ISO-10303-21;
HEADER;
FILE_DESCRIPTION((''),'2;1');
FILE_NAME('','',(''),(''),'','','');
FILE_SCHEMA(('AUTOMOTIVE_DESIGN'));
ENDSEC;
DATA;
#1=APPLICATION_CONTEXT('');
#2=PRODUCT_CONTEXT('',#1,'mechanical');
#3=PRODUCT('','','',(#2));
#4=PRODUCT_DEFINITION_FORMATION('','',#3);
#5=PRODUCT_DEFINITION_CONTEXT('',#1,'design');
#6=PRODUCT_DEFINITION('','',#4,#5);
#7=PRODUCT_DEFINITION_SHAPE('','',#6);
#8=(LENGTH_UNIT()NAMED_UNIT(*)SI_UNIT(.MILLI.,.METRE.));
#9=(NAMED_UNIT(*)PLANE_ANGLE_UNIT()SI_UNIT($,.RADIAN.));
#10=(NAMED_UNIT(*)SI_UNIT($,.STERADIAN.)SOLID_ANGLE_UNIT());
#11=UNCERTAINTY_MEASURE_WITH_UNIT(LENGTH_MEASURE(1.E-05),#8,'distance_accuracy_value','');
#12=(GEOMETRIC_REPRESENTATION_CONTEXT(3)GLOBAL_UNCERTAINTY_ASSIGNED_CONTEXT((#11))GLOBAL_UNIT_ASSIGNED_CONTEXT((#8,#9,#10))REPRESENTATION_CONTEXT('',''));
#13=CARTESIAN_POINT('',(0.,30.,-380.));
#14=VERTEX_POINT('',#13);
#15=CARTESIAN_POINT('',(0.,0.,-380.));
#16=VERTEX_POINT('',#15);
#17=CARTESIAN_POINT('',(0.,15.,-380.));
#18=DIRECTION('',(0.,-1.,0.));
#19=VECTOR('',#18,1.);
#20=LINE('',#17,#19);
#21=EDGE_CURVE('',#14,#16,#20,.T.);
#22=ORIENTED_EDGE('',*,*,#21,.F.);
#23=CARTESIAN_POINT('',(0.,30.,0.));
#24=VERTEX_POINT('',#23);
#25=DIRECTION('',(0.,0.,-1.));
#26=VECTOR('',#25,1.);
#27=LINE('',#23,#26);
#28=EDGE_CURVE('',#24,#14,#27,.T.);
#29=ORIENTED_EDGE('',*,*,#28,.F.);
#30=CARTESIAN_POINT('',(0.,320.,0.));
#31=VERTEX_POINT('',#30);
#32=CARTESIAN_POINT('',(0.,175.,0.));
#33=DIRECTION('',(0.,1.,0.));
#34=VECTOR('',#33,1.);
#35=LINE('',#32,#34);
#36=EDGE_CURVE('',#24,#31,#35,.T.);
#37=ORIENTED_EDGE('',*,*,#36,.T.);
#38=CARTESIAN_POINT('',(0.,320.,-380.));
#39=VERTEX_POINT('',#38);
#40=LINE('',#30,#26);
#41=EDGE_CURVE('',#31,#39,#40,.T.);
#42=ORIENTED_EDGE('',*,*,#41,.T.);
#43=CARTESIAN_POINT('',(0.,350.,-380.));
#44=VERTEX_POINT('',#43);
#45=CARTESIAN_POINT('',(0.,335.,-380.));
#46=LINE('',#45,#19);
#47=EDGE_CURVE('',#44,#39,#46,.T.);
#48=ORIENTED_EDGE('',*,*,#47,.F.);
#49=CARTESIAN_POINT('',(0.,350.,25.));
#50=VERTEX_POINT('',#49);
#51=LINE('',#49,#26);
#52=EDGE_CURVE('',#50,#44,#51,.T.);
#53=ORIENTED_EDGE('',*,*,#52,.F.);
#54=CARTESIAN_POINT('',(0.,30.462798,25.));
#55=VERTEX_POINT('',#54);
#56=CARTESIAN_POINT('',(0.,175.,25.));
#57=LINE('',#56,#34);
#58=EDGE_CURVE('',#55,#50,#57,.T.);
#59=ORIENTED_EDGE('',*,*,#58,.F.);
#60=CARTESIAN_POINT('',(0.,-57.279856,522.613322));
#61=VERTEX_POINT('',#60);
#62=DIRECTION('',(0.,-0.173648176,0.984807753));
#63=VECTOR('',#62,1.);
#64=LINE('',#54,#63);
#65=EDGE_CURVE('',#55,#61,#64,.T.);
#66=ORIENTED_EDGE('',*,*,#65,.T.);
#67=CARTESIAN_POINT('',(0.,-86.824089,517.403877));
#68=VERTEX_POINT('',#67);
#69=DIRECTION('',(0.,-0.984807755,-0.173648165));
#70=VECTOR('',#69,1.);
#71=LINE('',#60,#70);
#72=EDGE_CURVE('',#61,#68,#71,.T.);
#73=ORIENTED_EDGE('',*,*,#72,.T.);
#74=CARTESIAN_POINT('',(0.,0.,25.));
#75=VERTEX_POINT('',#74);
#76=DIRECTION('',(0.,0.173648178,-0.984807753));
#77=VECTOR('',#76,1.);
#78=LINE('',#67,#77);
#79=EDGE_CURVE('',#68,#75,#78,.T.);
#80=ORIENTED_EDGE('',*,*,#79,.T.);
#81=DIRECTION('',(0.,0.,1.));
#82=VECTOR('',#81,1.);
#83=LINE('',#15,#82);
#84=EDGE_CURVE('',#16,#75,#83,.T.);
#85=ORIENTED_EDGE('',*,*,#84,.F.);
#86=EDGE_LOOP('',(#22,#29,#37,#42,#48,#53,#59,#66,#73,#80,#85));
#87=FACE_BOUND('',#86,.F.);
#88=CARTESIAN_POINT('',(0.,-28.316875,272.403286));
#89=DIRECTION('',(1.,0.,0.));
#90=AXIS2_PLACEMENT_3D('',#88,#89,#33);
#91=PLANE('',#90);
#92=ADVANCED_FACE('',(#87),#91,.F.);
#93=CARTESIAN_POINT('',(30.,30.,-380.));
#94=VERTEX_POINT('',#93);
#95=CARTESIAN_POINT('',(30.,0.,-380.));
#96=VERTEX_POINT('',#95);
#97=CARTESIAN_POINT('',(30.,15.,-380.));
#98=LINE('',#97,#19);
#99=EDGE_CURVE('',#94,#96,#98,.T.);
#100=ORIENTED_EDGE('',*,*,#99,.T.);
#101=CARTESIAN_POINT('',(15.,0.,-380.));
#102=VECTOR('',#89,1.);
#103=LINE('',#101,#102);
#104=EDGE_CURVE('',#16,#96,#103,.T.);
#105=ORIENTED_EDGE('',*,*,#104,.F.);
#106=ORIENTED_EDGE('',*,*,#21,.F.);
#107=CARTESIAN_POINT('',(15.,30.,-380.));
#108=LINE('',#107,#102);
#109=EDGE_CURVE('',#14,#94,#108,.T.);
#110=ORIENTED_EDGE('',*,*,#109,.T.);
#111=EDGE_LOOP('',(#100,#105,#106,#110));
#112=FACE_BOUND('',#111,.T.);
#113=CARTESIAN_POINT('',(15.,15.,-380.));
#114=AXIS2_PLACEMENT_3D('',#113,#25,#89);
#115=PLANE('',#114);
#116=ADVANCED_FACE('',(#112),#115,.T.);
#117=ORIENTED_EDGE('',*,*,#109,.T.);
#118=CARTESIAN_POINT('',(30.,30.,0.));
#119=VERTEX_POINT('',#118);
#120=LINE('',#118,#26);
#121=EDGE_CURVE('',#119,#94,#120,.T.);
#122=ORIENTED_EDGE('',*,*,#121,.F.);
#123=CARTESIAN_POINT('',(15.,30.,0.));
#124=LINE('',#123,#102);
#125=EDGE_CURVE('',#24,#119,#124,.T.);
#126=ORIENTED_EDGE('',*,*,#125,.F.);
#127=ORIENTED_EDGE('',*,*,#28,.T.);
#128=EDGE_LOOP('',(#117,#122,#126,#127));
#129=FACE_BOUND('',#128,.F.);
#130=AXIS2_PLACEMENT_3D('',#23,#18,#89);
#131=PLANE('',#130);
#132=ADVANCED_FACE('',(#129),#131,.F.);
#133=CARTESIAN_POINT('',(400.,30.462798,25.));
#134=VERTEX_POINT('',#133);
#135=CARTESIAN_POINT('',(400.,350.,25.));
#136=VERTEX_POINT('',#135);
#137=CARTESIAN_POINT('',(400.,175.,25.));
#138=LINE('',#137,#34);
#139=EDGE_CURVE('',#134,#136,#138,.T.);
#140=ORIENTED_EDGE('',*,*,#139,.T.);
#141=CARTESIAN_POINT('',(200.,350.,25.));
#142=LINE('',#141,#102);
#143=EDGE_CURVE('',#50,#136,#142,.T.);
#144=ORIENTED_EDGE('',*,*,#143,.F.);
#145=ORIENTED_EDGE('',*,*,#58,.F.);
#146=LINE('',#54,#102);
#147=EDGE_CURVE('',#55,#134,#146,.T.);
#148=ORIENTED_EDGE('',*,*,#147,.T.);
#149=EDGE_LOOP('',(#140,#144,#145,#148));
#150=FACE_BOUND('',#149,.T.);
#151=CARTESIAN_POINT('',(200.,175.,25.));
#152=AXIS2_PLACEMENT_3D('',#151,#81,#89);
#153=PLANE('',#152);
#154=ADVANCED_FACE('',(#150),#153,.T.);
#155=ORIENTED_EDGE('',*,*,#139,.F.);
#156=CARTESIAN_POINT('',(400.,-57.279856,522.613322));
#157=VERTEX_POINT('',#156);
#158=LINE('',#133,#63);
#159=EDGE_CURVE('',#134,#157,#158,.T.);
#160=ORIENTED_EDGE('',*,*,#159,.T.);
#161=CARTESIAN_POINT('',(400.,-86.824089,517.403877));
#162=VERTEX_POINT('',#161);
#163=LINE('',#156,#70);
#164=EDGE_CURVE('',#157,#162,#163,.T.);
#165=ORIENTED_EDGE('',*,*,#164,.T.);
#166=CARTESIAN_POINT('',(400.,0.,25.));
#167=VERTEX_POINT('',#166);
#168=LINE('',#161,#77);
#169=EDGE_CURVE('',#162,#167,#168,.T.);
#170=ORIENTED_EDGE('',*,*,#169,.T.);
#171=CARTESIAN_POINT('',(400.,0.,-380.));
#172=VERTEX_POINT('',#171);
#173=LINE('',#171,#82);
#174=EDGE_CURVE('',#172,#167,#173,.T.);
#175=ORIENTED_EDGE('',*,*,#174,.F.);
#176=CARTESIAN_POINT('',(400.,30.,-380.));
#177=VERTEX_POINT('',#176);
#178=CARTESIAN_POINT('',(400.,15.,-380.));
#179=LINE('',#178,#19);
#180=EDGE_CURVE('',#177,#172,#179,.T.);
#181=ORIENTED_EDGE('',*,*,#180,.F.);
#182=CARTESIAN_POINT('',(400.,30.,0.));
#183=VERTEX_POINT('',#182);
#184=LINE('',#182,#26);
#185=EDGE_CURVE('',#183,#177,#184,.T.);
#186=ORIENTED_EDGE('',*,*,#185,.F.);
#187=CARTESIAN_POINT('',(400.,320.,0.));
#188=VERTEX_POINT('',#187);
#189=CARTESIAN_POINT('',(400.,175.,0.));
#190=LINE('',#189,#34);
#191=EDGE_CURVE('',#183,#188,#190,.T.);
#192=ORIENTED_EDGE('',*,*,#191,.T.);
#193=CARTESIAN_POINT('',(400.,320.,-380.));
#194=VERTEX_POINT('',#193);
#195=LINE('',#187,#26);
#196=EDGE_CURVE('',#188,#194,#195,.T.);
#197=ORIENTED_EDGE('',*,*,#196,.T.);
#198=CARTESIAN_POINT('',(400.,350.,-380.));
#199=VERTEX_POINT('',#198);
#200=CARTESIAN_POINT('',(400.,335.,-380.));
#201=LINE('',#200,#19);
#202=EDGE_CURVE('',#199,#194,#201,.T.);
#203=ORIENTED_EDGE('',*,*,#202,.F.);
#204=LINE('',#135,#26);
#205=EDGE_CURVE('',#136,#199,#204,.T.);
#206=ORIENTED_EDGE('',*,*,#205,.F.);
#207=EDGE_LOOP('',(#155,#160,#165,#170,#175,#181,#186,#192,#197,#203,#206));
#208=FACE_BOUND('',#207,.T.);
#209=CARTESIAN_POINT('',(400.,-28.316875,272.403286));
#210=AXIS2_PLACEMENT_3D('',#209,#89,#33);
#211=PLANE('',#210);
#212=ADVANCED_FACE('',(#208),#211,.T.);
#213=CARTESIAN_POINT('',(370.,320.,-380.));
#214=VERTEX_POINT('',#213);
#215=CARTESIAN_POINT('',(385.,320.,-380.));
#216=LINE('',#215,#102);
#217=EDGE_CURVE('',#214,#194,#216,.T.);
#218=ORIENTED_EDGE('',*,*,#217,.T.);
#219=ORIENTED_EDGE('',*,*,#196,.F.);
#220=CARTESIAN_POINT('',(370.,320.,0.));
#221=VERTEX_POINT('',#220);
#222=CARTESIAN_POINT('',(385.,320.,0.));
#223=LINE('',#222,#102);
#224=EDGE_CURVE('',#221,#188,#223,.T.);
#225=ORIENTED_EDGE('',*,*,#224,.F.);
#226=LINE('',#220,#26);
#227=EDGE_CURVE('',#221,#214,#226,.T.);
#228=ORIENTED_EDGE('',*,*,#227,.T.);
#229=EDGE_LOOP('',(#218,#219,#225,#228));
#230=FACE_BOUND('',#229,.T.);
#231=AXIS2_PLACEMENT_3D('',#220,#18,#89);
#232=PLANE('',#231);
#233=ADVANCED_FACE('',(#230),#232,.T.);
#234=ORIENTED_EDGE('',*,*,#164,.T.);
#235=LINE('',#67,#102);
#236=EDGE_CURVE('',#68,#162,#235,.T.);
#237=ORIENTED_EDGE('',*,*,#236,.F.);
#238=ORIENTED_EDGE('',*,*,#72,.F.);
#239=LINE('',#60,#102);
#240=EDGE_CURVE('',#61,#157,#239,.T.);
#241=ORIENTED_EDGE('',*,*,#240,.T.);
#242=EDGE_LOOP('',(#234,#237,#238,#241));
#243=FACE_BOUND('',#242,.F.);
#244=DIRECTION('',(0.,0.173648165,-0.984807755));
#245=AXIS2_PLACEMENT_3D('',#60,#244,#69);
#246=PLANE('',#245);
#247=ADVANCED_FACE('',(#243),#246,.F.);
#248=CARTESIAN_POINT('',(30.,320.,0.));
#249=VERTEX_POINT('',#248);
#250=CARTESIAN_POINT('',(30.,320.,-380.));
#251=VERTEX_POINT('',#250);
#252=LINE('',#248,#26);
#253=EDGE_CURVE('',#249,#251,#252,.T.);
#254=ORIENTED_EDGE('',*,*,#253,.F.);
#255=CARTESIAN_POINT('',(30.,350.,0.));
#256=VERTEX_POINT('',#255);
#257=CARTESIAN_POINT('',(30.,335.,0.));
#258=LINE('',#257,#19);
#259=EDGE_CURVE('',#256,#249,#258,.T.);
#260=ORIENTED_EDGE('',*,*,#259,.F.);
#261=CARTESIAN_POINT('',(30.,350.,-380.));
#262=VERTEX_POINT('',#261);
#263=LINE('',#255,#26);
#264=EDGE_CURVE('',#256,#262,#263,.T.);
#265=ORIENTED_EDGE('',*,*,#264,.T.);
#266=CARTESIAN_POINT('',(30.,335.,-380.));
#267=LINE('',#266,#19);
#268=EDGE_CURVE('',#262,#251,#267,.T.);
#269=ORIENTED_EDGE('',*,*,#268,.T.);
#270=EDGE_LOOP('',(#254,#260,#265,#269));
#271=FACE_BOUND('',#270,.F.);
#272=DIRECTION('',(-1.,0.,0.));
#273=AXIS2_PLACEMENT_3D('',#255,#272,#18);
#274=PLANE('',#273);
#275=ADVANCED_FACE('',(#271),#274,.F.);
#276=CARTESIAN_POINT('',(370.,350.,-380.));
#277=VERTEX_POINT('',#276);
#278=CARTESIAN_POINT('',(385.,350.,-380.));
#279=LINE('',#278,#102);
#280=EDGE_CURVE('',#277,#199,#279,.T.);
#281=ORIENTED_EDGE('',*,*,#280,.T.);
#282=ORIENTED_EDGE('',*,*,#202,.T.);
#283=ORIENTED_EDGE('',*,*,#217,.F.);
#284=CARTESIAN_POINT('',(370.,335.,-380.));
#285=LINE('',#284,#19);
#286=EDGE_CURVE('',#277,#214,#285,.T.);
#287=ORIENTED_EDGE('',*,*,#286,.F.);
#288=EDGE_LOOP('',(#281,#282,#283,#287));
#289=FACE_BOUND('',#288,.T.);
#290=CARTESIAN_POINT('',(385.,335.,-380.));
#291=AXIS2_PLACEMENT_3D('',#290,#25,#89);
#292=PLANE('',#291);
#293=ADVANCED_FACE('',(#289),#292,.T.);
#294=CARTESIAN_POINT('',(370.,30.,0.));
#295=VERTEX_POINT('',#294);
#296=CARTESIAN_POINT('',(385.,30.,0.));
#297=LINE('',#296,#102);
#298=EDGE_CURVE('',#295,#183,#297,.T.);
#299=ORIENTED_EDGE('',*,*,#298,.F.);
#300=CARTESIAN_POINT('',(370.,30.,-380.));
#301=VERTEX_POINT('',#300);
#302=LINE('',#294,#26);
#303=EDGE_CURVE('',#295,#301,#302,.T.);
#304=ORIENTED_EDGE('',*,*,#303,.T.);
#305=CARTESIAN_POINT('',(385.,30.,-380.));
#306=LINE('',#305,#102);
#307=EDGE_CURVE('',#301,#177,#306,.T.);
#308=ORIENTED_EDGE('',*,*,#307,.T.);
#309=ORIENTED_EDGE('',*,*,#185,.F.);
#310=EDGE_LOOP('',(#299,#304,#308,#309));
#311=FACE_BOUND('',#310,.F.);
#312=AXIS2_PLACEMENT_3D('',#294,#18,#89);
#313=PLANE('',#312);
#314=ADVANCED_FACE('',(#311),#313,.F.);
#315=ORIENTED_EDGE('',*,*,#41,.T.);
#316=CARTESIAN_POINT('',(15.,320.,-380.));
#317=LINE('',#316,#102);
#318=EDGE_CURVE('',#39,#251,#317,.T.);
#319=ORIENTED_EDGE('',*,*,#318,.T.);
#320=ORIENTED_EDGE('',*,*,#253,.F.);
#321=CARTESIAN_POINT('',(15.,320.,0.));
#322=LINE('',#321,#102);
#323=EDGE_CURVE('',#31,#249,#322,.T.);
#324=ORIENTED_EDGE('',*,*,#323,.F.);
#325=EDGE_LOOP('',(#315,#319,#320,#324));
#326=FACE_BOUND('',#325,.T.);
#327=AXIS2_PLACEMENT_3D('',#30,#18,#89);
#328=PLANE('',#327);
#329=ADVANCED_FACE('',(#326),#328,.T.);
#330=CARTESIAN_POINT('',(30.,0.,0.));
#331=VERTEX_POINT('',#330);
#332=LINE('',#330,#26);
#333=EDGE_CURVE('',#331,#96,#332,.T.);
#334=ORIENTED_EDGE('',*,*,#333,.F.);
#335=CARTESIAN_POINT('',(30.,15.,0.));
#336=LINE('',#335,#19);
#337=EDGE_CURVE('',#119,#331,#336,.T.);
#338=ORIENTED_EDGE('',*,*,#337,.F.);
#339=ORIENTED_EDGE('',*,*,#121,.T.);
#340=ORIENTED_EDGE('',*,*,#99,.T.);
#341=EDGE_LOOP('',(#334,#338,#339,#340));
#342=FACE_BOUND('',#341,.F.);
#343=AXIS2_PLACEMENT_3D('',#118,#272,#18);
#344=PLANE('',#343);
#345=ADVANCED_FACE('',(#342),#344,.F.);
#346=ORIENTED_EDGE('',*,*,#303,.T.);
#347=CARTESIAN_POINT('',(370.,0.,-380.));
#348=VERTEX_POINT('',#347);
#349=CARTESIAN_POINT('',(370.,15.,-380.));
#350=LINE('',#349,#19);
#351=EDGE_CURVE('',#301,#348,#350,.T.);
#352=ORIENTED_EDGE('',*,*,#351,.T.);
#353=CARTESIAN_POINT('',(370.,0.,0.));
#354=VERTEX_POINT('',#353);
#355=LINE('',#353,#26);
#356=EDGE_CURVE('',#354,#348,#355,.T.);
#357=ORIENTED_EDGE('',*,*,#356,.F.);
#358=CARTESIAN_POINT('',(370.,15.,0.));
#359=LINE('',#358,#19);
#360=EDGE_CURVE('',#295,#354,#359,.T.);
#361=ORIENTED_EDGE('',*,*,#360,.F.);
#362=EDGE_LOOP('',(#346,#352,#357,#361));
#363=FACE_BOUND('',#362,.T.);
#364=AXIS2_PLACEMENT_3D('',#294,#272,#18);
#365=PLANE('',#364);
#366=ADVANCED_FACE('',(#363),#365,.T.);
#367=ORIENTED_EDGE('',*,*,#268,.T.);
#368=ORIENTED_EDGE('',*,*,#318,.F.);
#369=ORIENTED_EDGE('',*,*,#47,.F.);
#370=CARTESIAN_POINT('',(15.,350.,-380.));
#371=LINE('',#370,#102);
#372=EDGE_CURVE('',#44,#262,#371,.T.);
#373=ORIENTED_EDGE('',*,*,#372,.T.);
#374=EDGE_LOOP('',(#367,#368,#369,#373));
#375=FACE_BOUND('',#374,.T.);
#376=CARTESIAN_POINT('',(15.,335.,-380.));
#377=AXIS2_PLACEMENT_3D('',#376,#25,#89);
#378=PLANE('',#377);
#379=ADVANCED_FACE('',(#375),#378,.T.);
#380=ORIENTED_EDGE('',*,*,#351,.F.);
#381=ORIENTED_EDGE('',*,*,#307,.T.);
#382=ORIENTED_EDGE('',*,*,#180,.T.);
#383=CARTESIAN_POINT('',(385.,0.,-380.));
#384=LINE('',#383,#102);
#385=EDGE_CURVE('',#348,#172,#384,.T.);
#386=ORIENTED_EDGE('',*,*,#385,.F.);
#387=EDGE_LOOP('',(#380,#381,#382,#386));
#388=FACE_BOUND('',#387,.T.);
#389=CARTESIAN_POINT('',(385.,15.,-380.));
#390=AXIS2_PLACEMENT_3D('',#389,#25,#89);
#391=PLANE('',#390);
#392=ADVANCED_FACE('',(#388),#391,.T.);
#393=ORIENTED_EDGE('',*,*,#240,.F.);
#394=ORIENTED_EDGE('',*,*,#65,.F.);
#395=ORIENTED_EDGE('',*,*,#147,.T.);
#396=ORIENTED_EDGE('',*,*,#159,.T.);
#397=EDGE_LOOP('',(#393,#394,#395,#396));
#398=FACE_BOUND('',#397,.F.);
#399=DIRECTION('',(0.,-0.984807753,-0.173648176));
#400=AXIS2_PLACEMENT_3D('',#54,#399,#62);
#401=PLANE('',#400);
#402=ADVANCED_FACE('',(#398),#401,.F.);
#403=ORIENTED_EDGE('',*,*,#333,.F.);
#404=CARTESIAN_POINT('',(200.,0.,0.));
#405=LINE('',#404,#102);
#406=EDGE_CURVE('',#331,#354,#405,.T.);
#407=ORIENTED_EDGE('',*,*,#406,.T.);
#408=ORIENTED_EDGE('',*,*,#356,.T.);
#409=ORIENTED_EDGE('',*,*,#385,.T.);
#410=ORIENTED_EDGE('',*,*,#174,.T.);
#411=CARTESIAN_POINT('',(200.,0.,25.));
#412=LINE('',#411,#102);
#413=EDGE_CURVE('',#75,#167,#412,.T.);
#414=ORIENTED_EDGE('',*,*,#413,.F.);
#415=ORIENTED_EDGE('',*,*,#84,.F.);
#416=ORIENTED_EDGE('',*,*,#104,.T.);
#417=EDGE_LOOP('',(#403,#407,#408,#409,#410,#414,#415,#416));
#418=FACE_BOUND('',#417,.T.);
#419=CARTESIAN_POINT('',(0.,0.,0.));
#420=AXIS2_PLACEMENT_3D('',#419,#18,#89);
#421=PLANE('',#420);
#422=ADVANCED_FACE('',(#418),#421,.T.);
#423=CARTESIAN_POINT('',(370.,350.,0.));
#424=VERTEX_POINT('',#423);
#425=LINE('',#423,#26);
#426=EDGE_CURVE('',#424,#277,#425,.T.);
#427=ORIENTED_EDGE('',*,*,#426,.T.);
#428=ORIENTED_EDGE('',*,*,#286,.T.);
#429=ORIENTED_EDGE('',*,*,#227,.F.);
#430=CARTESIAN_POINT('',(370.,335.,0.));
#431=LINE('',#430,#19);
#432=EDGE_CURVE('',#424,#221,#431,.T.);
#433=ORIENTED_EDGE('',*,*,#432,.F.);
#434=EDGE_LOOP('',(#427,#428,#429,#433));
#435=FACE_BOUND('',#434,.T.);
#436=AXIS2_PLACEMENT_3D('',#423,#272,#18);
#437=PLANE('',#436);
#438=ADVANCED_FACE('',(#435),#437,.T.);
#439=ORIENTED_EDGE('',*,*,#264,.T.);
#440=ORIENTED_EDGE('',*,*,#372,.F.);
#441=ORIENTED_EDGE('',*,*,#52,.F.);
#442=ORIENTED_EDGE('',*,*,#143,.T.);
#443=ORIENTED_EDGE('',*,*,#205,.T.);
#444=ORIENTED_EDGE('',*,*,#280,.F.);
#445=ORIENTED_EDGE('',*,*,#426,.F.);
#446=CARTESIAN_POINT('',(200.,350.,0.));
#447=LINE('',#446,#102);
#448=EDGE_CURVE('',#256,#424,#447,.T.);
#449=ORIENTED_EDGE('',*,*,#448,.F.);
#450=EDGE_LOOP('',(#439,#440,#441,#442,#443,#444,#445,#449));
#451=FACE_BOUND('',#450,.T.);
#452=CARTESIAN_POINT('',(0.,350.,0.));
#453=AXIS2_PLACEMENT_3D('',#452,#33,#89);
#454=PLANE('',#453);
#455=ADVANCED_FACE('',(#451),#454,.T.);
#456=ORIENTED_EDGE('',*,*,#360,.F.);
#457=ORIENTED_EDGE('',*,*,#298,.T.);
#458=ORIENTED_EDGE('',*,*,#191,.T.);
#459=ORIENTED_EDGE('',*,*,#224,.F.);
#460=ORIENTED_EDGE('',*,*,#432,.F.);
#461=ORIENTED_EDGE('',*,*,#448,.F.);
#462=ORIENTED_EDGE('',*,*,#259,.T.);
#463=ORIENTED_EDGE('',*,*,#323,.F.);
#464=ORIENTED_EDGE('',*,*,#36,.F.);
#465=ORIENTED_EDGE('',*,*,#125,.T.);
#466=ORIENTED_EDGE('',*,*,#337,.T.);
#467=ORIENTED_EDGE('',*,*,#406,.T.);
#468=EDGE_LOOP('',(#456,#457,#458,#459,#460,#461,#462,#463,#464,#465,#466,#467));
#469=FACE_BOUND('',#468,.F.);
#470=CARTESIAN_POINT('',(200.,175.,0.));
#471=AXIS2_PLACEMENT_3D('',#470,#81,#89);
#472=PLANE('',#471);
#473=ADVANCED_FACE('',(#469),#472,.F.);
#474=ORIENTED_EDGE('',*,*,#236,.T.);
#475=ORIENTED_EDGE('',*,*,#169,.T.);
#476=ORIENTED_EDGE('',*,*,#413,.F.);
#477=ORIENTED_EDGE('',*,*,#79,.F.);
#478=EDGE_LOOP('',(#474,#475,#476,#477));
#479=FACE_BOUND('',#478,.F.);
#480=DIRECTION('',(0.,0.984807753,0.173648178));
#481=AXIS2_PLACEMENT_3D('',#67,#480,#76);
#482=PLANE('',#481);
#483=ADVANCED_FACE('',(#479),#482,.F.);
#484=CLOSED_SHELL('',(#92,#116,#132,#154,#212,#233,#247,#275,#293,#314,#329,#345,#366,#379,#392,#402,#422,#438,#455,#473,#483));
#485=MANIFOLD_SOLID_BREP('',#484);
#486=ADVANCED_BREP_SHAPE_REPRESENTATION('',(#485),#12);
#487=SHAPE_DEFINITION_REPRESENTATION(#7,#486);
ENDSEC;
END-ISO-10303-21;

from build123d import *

# Parameters (mm, degrees)
F0_W     = 400
F0_H     = 350
F1_DEPTH = 25
F2_W     = 30
F2_H     = 30
F3_DEPTH = 380
F5_DEPTH = 400


with BuildPart() as f1:
    # F0 (on Top) → F1 (new body)
    with BuildSketch(Plane.XY):
        with Locations((200, 175)):
            Rectangle(F0_W, F0_H)
    extrude(amount=F1_DEPTH)

    # F2 (on face) → F3 (join)
    with BuildSketch(Plane(origin=(0, 0, 0), x_dir=(1, 0, 0), z_dir=(0, 0, -1))):
        with Locations((15, -15)):
            Rectangle(F2_W, F2_H)
        with Locations((385, -15)):
            Rectangle(F2_W, F2_H)
        with Locations((15, -335)):
            Rectangle(F2_W, F2_H)
        with Locations((385, -335)):
            Rectangle(F2_W, F2_H)
    extrude(amount=F3_DEPTH)

    # F4 (on Right) → F5 (join, through all)
    with BuildSketch(Plane.YZ):
        Polygon((-86.824089, 517.403877), (0, 25), (30.462798, 25), (-57.279856, 522.613322), align=None)
    extrude(amount=F5_DEPTH)


solid = f1.part
